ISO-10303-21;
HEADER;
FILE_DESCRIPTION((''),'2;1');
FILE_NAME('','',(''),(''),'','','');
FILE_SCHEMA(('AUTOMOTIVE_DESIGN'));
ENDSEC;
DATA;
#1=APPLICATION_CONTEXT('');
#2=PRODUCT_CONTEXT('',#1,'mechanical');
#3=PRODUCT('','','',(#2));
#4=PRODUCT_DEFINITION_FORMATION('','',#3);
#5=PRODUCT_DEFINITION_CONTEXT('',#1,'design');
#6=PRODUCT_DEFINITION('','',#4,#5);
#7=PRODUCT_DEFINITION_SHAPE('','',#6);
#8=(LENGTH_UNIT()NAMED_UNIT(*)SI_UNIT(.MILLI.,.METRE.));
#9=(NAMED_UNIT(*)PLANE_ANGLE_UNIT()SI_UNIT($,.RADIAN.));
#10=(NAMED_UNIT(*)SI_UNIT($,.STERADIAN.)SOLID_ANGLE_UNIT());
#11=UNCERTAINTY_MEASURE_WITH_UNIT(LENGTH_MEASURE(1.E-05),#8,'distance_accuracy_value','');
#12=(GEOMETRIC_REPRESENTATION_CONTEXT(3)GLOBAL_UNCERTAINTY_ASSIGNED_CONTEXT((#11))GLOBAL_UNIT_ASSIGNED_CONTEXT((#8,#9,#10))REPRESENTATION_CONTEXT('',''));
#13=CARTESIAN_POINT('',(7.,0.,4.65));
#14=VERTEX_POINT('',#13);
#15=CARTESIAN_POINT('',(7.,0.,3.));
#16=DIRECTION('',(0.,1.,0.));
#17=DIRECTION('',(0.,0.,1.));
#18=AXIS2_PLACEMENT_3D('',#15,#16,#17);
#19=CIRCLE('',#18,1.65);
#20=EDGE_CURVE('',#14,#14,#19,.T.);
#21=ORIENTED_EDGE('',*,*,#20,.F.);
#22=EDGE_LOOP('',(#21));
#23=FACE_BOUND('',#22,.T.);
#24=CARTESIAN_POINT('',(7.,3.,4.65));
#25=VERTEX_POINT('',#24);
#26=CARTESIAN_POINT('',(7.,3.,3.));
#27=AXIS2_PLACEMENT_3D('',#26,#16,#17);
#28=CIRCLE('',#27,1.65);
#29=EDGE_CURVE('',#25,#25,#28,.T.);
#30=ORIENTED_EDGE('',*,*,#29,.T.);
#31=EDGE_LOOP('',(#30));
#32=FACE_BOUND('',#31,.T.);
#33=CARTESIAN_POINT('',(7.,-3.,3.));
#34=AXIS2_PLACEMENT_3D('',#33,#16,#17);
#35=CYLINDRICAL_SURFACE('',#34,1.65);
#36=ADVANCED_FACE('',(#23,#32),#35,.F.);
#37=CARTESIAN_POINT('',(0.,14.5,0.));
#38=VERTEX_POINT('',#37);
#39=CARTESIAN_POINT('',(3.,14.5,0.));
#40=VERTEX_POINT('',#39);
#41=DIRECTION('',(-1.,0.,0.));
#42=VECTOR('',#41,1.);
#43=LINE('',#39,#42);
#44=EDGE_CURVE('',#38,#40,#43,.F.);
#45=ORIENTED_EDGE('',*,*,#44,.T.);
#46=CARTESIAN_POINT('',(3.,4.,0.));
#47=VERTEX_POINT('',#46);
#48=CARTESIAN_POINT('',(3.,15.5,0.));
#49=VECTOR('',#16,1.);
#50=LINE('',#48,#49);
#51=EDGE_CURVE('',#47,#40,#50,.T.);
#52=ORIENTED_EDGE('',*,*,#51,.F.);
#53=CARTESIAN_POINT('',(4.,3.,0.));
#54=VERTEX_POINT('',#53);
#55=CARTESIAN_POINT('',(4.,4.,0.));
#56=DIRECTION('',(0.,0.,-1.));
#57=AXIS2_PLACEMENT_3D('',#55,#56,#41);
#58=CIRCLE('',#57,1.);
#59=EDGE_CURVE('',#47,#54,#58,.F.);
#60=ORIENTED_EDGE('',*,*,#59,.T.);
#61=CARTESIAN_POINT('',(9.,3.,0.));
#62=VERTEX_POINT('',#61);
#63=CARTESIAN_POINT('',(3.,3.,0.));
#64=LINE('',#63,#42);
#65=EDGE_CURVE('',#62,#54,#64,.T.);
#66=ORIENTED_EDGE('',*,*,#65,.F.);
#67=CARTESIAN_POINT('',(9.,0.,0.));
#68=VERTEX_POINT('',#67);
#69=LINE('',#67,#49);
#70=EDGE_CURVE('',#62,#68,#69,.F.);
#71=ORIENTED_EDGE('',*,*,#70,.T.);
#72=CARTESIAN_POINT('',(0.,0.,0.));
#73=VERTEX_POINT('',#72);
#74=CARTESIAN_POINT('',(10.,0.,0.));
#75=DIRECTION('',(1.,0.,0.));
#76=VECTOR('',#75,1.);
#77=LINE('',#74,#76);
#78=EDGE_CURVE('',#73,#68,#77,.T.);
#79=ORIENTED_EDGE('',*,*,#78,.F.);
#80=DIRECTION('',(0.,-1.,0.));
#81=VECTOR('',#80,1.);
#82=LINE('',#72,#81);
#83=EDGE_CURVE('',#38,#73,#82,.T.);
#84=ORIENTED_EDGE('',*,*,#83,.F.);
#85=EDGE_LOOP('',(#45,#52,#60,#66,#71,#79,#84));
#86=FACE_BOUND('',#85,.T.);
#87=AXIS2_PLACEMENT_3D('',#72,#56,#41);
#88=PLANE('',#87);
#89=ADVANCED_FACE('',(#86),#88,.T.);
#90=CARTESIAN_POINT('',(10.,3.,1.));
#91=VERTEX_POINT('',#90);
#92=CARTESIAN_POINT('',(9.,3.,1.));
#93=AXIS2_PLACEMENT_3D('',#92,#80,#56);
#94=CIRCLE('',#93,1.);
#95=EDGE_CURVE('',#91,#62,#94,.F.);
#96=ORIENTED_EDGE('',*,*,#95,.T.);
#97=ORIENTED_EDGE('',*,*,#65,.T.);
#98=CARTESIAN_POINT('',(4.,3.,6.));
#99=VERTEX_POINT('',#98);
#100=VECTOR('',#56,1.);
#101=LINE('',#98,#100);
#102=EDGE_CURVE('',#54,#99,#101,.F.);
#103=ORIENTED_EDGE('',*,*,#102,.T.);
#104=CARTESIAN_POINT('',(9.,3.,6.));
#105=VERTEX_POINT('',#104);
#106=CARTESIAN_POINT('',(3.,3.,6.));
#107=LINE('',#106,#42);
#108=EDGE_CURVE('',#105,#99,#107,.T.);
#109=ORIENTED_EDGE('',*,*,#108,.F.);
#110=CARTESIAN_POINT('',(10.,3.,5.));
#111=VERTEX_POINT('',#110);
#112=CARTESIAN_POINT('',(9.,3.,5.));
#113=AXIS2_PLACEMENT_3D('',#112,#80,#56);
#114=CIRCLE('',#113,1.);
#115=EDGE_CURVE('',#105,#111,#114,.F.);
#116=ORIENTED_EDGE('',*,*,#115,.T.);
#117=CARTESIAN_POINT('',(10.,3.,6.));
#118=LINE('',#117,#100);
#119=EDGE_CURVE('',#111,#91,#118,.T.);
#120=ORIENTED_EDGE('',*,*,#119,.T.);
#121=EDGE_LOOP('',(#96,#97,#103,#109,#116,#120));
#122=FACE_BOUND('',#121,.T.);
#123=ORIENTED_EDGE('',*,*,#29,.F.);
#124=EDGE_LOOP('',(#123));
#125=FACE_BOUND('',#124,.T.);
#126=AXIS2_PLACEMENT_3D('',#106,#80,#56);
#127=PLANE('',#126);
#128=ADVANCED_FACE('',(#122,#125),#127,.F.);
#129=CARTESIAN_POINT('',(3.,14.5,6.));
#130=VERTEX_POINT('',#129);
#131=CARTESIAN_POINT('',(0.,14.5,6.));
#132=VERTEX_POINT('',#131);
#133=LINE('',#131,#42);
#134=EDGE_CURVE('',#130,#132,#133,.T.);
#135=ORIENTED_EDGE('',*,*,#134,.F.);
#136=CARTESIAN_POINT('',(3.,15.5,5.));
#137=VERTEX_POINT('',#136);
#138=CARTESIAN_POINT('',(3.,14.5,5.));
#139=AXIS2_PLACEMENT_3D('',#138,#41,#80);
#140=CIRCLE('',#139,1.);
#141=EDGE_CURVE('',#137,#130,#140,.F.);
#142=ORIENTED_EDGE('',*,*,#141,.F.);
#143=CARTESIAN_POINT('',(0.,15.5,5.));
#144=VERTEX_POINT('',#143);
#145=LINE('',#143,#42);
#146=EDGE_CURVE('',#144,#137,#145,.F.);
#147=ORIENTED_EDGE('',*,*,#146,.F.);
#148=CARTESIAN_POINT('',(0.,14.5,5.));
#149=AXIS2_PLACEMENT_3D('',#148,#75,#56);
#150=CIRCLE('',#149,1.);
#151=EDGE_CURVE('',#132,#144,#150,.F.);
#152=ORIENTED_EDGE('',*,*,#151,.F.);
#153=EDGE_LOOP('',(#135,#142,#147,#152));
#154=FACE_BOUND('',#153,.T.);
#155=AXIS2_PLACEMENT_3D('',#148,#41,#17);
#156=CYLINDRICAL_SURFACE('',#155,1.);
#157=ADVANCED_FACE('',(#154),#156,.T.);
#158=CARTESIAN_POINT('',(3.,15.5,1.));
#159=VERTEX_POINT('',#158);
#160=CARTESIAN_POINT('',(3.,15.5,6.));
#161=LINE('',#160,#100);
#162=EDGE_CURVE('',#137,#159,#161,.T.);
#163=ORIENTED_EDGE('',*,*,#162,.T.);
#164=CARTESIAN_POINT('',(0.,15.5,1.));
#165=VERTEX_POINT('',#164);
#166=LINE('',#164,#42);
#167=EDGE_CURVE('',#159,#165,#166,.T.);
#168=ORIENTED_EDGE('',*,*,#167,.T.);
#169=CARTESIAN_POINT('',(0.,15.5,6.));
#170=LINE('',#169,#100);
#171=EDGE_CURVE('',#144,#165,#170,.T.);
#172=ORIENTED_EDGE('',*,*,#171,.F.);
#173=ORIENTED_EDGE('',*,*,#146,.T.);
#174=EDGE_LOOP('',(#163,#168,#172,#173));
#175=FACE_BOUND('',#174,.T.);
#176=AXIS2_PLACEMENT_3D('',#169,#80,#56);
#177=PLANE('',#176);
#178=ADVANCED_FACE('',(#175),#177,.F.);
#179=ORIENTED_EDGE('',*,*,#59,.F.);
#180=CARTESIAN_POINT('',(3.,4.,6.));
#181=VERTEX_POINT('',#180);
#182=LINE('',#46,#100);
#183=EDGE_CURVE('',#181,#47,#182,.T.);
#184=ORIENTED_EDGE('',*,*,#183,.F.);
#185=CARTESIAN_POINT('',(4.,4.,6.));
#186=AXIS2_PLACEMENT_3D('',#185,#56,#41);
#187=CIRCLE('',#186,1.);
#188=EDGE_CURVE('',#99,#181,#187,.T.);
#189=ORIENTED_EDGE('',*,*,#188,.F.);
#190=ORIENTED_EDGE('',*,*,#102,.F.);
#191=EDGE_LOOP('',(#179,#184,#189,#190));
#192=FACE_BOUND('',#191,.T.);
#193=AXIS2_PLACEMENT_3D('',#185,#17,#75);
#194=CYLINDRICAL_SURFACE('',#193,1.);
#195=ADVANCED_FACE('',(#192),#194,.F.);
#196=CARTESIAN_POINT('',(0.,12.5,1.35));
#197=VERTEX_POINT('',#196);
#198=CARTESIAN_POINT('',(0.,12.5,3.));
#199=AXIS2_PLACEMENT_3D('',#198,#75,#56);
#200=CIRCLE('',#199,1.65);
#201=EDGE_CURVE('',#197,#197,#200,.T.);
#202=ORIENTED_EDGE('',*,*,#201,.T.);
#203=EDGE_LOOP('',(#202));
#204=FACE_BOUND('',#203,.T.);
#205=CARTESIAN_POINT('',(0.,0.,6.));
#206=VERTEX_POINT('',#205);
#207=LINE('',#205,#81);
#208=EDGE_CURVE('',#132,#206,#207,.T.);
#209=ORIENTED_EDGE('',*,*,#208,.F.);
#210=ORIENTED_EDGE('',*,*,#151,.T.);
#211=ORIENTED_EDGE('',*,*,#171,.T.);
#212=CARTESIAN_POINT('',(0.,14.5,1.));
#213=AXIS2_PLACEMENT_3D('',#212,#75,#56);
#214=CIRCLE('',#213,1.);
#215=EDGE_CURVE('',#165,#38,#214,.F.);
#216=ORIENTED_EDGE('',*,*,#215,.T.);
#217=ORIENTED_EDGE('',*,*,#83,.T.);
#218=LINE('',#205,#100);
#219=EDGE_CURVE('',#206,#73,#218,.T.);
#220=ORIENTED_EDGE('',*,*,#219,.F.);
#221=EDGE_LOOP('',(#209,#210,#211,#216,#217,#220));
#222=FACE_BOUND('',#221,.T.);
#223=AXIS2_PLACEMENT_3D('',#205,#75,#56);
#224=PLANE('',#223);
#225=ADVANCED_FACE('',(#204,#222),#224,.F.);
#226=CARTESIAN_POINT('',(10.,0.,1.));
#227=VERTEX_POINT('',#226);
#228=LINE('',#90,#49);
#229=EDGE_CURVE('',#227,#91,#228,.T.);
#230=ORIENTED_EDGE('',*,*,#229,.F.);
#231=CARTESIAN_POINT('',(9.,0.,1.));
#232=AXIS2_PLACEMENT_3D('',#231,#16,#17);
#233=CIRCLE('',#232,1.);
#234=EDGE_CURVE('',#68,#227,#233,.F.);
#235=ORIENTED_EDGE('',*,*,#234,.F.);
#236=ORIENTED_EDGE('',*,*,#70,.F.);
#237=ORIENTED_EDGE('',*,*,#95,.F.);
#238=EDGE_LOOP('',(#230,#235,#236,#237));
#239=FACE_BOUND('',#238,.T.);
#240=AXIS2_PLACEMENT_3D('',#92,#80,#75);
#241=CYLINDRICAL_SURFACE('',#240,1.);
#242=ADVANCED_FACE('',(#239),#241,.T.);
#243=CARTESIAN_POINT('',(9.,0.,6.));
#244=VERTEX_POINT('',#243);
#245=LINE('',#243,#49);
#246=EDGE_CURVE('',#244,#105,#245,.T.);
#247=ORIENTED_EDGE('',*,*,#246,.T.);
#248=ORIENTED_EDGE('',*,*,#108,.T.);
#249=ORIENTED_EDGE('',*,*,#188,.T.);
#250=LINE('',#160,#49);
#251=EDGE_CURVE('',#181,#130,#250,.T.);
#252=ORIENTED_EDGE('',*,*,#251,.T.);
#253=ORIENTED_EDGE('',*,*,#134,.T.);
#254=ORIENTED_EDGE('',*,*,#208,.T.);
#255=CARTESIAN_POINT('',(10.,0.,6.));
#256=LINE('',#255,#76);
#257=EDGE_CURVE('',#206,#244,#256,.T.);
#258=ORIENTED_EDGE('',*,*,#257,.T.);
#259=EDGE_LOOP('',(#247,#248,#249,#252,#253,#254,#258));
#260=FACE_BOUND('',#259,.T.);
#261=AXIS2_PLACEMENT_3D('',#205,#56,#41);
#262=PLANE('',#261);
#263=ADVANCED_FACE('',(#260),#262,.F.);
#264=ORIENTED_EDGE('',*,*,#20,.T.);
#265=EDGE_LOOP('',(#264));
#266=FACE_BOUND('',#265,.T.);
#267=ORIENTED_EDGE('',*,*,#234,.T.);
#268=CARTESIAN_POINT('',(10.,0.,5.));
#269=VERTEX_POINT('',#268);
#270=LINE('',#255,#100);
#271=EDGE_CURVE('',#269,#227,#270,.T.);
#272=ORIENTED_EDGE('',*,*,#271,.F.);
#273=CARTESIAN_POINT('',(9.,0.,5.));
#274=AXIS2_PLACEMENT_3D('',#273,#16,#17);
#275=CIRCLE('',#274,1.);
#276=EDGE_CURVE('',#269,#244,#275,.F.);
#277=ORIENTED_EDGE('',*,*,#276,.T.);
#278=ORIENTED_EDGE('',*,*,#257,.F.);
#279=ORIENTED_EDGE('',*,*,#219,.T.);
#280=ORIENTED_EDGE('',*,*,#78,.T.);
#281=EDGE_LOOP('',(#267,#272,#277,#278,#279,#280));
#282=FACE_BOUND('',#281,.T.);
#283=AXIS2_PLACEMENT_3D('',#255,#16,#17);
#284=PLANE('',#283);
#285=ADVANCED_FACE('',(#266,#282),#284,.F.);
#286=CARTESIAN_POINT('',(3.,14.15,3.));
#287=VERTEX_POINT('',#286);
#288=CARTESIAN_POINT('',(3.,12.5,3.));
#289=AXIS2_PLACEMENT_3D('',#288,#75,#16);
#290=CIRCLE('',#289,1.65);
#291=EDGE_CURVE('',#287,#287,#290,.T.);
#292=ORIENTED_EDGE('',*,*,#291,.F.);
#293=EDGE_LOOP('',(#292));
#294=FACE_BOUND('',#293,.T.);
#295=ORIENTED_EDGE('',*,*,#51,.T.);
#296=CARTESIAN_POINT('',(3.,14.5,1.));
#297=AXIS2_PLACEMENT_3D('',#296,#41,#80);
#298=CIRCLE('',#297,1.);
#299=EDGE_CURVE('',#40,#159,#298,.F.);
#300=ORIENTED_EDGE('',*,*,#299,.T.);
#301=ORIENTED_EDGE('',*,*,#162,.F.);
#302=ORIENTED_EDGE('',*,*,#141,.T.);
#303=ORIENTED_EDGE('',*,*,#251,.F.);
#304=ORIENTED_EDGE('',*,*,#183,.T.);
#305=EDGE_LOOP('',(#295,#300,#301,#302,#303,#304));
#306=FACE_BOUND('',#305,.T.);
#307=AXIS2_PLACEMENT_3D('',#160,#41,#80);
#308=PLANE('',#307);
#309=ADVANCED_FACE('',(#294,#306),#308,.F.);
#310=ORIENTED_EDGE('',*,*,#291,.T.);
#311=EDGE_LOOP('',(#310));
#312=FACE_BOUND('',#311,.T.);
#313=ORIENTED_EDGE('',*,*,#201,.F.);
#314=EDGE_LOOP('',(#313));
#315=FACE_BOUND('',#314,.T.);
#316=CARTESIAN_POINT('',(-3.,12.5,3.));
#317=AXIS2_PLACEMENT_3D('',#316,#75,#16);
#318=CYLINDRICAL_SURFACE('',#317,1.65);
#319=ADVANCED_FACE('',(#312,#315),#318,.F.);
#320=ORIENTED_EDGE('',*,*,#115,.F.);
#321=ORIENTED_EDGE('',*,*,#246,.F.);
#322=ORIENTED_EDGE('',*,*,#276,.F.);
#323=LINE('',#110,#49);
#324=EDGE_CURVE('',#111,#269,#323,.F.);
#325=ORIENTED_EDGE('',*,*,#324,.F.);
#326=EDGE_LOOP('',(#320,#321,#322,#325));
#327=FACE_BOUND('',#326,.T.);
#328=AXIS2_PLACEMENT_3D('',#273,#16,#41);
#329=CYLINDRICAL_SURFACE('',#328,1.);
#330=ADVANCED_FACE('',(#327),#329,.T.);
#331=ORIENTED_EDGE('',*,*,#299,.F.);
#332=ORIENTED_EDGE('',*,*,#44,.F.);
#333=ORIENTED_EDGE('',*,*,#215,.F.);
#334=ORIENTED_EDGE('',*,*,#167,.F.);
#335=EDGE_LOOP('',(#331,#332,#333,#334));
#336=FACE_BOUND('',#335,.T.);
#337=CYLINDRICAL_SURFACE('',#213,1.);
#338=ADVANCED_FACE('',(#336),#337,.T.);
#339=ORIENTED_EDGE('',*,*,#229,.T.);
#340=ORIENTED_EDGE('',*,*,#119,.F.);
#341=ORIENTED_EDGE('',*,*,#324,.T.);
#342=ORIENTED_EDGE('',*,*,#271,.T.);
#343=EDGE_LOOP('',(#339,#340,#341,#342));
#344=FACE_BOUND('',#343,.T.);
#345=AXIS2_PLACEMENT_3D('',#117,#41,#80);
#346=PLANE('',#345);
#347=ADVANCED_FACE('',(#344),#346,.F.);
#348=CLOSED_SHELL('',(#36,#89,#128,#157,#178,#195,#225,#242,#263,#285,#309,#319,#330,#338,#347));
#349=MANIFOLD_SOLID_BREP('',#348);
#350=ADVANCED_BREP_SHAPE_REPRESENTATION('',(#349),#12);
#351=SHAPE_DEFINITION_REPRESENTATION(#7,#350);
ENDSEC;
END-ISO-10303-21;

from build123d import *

# Parameters (mm, degrees)
EXTRUDE_1_DEPTH     = 6
SKETCH_2_R          = 1.65
CUT_EXTRUDE_1_DEPTH = 6
SKETCH_3_R          = 1.65
CUT_EXTRUDE_2_DEPTH = 6
FILLET_1_R          = 1


with BuildPart() as part:
    # 草图1 → 凸台-拉伸1 (new body)
    with BuildSketch(Plane.XY):
        Polygon((10, 0), (0, 0), (0, 15.5), (3, 15.5), (3, 3), (10, 3), align=None)
    extrude(amount=EXTRUDE_1_DEPTH)

    # 草图2 → 切除-拉伸1 (cut)
    with BuildSketch(Plane(origin=(3, 0, 0), x_dir=(0, 0, -1), z_dir=(1, 0, 0))):
        with Locations(Location((-3, 12.5, 0), (0, 0, 90))):
            Circle(SKETCH_2_R)
    extrude(amount=-CUT_EXTRUDE_1_DEPTH, mode=Mode.SUBTRACT)

    # 草图3 → 切除-拉伸2 (cut)
    with BuildSketch(Plane(origin=(0, 3, 0), x_dir=(1, 0, 0), z_dir=(0, 1, 0))):
        with Locations(Location((7, -3, 0), (0, 0, 270))):
            Circle(SKETCH_3_R)
    extrude(amount=-CUT_EXTRUDE_2_DEPTH, mode=Mode.SUBTRACT)

    # 圆角1
    fillet_1_edges = [part.edges().sort_by_distance(p)[0] for p in [
        (3, 3, 3),
        (1.5, 15.5, 6),
        (10, 1.5, 6),
        (1.5, 15.5, 0),
        (10, 1.5, 0),
    ]]
    fillet(fillet_1_edges, radius=FILLET_1_R)


solid = part.part
